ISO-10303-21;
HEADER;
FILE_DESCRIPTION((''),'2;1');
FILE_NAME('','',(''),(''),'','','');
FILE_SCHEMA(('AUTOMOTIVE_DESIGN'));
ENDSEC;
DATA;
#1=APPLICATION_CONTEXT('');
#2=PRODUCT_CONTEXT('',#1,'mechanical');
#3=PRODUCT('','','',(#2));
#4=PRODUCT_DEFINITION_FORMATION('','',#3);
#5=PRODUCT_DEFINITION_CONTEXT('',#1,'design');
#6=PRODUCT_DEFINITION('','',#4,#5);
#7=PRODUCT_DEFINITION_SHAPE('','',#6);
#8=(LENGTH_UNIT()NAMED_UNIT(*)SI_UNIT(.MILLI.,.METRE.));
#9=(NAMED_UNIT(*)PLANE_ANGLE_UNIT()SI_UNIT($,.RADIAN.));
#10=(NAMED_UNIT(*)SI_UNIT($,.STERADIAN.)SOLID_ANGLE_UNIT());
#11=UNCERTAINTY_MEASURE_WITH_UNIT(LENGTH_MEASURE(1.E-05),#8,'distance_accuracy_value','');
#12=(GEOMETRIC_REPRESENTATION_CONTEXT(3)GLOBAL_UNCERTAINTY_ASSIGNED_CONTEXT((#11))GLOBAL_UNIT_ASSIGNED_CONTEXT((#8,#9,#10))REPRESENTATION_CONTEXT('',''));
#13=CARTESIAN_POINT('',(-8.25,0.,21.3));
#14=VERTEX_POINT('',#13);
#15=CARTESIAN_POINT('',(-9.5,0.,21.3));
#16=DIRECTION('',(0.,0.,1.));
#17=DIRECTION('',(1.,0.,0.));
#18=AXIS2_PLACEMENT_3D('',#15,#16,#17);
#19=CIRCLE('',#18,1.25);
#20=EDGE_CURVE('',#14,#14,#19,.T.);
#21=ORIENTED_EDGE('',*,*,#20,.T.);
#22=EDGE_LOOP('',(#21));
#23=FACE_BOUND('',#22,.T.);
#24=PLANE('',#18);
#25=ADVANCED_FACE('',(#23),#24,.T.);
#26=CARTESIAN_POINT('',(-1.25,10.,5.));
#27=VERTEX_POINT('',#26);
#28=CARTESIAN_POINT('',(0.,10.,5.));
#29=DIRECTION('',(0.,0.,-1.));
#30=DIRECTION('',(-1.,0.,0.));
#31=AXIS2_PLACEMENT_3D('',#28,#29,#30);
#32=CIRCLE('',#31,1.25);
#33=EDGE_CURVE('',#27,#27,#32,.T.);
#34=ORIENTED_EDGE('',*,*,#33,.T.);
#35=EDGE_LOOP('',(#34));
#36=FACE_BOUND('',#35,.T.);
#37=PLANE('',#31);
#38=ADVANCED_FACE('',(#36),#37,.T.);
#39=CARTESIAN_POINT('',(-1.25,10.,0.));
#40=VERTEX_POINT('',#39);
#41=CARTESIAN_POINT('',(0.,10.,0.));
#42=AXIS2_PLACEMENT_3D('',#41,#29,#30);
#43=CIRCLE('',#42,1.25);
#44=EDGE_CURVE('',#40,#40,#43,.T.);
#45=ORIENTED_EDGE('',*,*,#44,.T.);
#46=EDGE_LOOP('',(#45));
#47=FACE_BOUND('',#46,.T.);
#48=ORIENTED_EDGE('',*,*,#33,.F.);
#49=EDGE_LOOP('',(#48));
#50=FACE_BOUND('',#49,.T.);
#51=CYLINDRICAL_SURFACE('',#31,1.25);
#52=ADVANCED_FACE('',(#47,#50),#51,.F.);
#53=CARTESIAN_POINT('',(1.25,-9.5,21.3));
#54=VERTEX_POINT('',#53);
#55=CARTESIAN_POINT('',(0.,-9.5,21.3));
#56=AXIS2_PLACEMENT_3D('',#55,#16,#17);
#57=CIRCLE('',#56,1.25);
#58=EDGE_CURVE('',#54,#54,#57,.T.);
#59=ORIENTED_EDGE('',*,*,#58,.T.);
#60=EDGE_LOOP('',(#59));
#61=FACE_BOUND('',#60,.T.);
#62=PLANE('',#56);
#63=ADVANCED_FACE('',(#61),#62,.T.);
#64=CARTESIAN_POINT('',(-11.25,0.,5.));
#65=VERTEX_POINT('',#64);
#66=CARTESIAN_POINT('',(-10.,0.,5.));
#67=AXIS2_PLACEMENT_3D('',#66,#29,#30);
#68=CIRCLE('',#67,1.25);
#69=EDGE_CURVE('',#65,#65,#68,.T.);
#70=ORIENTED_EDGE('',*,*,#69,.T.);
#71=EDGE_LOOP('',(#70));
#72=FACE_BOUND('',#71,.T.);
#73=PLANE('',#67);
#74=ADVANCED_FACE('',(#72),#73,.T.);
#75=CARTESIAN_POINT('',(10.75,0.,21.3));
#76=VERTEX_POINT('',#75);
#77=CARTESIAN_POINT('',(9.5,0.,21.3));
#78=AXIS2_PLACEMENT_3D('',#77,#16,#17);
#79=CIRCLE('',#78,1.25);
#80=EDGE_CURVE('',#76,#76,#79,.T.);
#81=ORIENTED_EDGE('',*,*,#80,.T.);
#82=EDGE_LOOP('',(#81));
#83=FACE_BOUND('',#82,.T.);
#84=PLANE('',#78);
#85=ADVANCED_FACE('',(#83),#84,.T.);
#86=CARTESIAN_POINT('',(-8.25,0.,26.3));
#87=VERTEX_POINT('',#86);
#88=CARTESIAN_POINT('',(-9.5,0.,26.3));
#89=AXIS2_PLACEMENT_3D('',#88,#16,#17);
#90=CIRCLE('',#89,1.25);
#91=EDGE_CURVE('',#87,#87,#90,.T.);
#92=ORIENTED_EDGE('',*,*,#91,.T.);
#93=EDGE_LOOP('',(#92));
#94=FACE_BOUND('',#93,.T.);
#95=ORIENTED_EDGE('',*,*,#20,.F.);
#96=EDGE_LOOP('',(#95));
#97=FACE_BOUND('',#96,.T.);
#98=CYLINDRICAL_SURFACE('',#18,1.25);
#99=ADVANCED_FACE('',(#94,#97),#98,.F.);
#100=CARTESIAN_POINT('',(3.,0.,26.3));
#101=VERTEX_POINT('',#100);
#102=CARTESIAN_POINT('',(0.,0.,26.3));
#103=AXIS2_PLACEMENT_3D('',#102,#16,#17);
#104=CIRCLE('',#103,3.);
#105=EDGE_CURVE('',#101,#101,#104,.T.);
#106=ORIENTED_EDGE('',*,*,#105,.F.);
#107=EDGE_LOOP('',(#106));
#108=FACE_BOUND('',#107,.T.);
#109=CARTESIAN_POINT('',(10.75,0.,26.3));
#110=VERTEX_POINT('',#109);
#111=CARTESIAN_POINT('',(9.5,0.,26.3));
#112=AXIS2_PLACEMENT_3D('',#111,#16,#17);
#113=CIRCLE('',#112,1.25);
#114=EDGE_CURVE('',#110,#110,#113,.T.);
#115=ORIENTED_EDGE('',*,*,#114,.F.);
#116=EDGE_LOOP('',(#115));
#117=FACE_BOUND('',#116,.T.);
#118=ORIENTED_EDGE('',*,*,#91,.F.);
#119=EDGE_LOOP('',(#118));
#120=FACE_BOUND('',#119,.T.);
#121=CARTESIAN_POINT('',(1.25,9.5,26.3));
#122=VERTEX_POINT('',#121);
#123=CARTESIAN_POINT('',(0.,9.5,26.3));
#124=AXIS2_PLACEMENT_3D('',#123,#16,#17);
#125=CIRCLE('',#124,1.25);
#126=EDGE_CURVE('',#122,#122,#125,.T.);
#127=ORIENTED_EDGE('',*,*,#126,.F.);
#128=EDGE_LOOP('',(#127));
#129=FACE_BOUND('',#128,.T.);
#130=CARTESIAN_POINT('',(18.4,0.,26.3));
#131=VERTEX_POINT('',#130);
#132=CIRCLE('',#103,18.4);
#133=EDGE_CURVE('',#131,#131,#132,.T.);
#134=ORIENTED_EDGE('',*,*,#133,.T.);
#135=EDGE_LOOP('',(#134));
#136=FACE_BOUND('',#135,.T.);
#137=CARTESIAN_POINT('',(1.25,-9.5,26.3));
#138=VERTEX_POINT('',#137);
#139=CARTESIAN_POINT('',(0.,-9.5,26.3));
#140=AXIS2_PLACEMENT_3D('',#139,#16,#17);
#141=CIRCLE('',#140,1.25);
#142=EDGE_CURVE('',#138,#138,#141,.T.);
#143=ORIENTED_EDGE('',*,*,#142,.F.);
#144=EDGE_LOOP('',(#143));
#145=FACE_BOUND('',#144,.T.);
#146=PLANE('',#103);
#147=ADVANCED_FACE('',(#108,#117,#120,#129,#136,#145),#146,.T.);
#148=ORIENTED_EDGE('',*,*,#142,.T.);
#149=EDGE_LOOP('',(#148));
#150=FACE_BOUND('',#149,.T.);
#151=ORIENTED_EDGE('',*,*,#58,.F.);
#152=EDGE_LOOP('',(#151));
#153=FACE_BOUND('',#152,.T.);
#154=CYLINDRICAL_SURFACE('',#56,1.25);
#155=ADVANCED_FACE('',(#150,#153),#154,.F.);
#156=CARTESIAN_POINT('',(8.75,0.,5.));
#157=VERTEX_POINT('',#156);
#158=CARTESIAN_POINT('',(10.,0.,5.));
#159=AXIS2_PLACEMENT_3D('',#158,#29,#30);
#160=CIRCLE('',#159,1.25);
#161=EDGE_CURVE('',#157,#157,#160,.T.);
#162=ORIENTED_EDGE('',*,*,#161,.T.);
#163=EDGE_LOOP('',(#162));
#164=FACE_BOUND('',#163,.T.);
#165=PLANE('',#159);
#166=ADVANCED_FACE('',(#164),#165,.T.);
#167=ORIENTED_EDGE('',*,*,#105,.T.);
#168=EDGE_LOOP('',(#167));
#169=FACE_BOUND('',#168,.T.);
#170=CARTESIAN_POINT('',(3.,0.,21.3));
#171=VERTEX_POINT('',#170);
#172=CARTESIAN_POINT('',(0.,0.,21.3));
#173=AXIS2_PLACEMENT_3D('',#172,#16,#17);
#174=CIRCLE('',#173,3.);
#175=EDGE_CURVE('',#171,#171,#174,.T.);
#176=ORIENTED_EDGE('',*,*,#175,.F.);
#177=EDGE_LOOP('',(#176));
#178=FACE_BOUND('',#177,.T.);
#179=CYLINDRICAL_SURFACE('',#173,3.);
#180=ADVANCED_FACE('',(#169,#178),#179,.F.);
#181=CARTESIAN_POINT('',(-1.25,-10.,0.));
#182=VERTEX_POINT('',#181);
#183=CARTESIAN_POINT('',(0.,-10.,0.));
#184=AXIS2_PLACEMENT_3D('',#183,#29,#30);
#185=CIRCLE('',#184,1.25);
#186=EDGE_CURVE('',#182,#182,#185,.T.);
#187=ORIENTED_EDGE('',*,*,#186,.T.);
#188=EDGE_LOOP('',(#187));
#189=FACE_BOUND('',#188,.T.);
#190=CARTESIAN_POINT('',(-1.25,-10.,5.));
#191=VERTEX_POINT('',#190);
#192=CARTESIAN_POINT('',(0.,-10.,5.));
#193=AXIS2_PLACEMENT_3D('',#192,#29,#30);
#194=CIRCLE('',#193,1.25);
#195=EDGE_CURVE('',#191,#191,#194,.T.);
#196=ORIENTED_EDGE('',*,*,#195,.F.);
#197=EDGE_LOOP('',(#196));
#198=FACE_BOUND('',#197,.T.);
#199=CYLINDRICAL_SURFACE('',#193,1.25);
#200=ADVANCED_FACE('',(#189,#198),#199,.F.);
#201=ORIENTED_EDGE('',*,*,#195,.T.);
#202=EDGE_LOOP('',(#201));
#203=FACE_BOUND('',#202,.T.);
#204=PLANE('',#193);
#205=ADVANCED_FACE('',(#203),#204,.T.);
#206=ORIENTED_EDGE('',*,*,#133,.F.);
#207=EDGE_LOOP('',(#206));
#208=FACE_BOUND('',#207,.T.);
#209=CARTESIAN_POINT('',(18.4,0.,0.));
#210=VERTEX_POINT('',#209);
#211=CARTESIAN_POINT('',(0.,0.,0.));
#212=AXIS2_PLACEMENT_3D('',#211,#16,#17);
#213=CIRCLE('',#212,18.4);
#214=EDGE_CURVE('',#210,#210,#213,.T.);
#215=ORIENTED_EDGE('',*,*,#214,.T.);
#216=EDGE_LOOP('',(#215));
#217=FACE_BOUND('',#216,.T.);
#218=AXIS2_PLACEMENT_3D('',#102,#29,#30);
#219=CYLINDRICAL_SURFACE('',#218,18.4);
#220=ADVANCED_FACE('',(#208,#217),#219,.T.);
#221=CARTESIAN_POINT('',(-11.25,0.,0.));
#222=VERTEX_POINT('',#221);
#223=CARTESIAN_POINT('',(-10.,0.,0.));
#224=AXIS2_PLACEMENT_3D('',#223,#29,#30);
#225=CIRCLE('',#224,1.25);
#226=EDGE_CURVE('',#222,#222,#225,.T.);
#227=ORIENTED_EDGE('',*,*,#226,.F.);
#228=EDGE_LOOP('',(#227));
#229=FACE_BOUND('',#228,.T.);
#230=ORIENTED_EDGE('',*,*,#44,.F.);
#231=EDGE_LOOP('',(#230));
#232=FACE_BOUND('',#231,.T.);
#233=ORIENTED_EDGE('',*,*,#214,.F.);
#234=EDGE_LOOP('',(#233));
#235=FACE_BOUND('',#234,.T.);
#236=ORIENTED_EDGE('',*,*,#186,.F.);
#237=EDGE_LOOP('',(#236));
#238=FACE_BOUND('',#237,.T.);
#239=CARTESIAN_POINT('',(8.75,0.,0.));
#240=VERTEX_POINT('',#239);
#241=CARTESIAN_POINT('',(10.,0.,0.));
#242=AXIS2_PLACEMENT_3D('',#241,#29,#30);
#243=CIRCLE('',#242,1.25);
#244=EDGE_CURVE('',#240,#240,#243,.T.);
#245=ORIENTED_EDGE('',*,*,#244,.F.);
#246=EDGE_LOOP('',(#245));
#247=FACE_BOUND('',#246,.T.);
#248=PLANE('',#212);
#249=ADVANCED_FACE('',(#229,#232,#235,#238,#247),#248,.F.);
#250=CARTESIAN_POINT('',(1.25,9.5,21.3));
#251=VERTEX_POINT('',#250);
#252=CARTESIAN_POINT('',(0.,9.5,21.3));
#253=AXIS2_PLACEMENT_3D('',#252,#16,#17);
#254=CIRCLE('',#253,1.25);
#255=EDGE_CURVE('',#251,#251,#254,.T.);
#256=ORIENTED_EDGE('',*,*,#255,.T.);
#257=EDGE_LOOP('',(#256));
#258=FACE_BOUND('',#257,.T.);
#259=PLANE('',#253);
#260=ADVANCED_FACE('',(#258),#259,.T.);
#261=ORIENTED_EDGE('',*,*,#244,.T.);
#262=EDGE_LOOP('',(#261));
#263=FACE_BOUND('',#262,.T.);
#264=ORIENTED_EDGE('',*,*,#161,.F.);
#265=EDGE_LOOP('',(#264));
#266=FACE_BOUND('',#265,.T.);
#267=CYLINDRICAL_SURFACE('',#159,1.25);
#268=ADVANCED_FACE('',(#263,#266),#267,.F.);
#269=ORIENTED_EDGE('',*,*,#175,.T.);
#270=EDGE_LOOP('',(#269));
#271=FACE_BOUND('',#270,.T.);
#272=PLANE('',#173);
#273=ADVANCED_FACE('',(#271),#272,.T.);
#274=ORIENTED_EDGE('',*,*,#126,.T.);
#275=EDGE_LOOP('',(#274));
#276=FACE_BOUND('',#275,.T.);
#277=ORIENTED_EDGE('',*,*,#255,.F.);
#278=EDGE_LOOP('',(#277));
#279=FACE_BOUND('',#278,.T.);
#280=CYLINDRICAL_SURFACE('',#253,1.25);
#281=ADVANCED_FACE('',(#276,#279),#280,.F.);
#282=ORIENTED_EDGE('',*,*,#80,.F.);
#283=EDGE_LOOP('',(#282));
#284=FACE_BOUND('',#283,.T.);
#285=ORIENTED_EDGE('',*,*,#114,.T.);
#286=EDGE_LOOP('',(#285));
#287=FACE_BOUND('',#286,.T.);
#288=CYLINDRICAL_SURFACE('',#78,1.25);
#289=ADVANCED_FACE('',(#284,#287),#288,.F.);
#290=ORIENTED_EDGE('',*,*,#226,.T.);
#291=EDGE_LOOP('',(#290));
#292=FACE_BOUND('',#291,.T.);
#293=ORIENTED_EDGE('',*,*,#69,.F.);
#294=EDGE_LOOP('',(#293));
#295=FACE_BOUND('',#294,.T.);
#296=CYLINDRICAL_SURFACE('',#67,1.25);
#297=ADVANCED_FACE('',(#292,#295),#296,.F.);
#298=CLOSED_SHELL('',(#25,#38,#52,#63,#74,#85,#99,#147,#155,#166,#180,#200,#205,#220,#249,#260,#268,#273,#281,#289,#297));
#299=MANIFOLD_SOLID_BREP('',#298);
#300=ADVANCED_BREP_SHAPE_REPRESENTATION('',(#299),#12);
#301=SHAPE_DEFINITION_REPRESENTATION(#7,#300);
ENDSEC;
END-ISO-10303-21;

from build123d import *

# Parameters (mm, degrees)
CROQUIS1_R              = 18.4
SALIENTE_EXTRUIR1_DEPTH = 26.3
CROQUIS2_R              = 3
CROQUIS2_R_2            = 1.25
CORTAR_EXTRUIR1_DEPTH   = 5
CROQUIS3_R              = 1.25
CORTAR_EXTRUIR2_DEPTH   = 5


with BuildPart() as part:
    # Croquis1 → Saliente-Extruir1 (new body)
    with BuildSketch(Plane.XY):
        Circle(CROQUIS1_R)
    extrude(amount=SALIENTE_EXTRUIR1_DEPTH)

    # Croquis2 → Cortar-Extruir1 (cut)
    with BuildSketch(Plane.XY.offset(26.3)):
        Circle(CROQUIS2_R)
        with Locations((0, 9.5)):
            Circle(CROQUIS2_R_2)
        with Locations((9.5, 0)):
            Circle(CROQUIS2_R_2)
        with Locations((0, -9.5)):
            Circle(CROQUIS2_R_2)
        with Locations((-9.5, 0)):
            Circle(CROQUIS2_R_2)
    extrude(amount=-CORTAR_EXTRUIR1_DEPTH, mode=Mode.SUBTRACT)

    # Croquis3 → Cortar-Extruir2 (cut)
    with BuildSketch(Plane(origin=(0, 0, 0), x_dir=(-1, 0, 0), z_dir=(0, 0, -1))):
        with Locations((-10, 0)):
            Circle(CROQUIS3_R)
        with Locations((0, 10)):
            Circle(CROQUIS3_R)
        with Locations((10, 0)):
            Circle(CROQUIS3_R)
        with Locations((0, -10)):
            Circle(CROQUIS3_R)
    extrude(amount=-CORTAR_EXTRUIR2_DEPTH, mode=Mode.SUBTRACT)


solid = part.part
